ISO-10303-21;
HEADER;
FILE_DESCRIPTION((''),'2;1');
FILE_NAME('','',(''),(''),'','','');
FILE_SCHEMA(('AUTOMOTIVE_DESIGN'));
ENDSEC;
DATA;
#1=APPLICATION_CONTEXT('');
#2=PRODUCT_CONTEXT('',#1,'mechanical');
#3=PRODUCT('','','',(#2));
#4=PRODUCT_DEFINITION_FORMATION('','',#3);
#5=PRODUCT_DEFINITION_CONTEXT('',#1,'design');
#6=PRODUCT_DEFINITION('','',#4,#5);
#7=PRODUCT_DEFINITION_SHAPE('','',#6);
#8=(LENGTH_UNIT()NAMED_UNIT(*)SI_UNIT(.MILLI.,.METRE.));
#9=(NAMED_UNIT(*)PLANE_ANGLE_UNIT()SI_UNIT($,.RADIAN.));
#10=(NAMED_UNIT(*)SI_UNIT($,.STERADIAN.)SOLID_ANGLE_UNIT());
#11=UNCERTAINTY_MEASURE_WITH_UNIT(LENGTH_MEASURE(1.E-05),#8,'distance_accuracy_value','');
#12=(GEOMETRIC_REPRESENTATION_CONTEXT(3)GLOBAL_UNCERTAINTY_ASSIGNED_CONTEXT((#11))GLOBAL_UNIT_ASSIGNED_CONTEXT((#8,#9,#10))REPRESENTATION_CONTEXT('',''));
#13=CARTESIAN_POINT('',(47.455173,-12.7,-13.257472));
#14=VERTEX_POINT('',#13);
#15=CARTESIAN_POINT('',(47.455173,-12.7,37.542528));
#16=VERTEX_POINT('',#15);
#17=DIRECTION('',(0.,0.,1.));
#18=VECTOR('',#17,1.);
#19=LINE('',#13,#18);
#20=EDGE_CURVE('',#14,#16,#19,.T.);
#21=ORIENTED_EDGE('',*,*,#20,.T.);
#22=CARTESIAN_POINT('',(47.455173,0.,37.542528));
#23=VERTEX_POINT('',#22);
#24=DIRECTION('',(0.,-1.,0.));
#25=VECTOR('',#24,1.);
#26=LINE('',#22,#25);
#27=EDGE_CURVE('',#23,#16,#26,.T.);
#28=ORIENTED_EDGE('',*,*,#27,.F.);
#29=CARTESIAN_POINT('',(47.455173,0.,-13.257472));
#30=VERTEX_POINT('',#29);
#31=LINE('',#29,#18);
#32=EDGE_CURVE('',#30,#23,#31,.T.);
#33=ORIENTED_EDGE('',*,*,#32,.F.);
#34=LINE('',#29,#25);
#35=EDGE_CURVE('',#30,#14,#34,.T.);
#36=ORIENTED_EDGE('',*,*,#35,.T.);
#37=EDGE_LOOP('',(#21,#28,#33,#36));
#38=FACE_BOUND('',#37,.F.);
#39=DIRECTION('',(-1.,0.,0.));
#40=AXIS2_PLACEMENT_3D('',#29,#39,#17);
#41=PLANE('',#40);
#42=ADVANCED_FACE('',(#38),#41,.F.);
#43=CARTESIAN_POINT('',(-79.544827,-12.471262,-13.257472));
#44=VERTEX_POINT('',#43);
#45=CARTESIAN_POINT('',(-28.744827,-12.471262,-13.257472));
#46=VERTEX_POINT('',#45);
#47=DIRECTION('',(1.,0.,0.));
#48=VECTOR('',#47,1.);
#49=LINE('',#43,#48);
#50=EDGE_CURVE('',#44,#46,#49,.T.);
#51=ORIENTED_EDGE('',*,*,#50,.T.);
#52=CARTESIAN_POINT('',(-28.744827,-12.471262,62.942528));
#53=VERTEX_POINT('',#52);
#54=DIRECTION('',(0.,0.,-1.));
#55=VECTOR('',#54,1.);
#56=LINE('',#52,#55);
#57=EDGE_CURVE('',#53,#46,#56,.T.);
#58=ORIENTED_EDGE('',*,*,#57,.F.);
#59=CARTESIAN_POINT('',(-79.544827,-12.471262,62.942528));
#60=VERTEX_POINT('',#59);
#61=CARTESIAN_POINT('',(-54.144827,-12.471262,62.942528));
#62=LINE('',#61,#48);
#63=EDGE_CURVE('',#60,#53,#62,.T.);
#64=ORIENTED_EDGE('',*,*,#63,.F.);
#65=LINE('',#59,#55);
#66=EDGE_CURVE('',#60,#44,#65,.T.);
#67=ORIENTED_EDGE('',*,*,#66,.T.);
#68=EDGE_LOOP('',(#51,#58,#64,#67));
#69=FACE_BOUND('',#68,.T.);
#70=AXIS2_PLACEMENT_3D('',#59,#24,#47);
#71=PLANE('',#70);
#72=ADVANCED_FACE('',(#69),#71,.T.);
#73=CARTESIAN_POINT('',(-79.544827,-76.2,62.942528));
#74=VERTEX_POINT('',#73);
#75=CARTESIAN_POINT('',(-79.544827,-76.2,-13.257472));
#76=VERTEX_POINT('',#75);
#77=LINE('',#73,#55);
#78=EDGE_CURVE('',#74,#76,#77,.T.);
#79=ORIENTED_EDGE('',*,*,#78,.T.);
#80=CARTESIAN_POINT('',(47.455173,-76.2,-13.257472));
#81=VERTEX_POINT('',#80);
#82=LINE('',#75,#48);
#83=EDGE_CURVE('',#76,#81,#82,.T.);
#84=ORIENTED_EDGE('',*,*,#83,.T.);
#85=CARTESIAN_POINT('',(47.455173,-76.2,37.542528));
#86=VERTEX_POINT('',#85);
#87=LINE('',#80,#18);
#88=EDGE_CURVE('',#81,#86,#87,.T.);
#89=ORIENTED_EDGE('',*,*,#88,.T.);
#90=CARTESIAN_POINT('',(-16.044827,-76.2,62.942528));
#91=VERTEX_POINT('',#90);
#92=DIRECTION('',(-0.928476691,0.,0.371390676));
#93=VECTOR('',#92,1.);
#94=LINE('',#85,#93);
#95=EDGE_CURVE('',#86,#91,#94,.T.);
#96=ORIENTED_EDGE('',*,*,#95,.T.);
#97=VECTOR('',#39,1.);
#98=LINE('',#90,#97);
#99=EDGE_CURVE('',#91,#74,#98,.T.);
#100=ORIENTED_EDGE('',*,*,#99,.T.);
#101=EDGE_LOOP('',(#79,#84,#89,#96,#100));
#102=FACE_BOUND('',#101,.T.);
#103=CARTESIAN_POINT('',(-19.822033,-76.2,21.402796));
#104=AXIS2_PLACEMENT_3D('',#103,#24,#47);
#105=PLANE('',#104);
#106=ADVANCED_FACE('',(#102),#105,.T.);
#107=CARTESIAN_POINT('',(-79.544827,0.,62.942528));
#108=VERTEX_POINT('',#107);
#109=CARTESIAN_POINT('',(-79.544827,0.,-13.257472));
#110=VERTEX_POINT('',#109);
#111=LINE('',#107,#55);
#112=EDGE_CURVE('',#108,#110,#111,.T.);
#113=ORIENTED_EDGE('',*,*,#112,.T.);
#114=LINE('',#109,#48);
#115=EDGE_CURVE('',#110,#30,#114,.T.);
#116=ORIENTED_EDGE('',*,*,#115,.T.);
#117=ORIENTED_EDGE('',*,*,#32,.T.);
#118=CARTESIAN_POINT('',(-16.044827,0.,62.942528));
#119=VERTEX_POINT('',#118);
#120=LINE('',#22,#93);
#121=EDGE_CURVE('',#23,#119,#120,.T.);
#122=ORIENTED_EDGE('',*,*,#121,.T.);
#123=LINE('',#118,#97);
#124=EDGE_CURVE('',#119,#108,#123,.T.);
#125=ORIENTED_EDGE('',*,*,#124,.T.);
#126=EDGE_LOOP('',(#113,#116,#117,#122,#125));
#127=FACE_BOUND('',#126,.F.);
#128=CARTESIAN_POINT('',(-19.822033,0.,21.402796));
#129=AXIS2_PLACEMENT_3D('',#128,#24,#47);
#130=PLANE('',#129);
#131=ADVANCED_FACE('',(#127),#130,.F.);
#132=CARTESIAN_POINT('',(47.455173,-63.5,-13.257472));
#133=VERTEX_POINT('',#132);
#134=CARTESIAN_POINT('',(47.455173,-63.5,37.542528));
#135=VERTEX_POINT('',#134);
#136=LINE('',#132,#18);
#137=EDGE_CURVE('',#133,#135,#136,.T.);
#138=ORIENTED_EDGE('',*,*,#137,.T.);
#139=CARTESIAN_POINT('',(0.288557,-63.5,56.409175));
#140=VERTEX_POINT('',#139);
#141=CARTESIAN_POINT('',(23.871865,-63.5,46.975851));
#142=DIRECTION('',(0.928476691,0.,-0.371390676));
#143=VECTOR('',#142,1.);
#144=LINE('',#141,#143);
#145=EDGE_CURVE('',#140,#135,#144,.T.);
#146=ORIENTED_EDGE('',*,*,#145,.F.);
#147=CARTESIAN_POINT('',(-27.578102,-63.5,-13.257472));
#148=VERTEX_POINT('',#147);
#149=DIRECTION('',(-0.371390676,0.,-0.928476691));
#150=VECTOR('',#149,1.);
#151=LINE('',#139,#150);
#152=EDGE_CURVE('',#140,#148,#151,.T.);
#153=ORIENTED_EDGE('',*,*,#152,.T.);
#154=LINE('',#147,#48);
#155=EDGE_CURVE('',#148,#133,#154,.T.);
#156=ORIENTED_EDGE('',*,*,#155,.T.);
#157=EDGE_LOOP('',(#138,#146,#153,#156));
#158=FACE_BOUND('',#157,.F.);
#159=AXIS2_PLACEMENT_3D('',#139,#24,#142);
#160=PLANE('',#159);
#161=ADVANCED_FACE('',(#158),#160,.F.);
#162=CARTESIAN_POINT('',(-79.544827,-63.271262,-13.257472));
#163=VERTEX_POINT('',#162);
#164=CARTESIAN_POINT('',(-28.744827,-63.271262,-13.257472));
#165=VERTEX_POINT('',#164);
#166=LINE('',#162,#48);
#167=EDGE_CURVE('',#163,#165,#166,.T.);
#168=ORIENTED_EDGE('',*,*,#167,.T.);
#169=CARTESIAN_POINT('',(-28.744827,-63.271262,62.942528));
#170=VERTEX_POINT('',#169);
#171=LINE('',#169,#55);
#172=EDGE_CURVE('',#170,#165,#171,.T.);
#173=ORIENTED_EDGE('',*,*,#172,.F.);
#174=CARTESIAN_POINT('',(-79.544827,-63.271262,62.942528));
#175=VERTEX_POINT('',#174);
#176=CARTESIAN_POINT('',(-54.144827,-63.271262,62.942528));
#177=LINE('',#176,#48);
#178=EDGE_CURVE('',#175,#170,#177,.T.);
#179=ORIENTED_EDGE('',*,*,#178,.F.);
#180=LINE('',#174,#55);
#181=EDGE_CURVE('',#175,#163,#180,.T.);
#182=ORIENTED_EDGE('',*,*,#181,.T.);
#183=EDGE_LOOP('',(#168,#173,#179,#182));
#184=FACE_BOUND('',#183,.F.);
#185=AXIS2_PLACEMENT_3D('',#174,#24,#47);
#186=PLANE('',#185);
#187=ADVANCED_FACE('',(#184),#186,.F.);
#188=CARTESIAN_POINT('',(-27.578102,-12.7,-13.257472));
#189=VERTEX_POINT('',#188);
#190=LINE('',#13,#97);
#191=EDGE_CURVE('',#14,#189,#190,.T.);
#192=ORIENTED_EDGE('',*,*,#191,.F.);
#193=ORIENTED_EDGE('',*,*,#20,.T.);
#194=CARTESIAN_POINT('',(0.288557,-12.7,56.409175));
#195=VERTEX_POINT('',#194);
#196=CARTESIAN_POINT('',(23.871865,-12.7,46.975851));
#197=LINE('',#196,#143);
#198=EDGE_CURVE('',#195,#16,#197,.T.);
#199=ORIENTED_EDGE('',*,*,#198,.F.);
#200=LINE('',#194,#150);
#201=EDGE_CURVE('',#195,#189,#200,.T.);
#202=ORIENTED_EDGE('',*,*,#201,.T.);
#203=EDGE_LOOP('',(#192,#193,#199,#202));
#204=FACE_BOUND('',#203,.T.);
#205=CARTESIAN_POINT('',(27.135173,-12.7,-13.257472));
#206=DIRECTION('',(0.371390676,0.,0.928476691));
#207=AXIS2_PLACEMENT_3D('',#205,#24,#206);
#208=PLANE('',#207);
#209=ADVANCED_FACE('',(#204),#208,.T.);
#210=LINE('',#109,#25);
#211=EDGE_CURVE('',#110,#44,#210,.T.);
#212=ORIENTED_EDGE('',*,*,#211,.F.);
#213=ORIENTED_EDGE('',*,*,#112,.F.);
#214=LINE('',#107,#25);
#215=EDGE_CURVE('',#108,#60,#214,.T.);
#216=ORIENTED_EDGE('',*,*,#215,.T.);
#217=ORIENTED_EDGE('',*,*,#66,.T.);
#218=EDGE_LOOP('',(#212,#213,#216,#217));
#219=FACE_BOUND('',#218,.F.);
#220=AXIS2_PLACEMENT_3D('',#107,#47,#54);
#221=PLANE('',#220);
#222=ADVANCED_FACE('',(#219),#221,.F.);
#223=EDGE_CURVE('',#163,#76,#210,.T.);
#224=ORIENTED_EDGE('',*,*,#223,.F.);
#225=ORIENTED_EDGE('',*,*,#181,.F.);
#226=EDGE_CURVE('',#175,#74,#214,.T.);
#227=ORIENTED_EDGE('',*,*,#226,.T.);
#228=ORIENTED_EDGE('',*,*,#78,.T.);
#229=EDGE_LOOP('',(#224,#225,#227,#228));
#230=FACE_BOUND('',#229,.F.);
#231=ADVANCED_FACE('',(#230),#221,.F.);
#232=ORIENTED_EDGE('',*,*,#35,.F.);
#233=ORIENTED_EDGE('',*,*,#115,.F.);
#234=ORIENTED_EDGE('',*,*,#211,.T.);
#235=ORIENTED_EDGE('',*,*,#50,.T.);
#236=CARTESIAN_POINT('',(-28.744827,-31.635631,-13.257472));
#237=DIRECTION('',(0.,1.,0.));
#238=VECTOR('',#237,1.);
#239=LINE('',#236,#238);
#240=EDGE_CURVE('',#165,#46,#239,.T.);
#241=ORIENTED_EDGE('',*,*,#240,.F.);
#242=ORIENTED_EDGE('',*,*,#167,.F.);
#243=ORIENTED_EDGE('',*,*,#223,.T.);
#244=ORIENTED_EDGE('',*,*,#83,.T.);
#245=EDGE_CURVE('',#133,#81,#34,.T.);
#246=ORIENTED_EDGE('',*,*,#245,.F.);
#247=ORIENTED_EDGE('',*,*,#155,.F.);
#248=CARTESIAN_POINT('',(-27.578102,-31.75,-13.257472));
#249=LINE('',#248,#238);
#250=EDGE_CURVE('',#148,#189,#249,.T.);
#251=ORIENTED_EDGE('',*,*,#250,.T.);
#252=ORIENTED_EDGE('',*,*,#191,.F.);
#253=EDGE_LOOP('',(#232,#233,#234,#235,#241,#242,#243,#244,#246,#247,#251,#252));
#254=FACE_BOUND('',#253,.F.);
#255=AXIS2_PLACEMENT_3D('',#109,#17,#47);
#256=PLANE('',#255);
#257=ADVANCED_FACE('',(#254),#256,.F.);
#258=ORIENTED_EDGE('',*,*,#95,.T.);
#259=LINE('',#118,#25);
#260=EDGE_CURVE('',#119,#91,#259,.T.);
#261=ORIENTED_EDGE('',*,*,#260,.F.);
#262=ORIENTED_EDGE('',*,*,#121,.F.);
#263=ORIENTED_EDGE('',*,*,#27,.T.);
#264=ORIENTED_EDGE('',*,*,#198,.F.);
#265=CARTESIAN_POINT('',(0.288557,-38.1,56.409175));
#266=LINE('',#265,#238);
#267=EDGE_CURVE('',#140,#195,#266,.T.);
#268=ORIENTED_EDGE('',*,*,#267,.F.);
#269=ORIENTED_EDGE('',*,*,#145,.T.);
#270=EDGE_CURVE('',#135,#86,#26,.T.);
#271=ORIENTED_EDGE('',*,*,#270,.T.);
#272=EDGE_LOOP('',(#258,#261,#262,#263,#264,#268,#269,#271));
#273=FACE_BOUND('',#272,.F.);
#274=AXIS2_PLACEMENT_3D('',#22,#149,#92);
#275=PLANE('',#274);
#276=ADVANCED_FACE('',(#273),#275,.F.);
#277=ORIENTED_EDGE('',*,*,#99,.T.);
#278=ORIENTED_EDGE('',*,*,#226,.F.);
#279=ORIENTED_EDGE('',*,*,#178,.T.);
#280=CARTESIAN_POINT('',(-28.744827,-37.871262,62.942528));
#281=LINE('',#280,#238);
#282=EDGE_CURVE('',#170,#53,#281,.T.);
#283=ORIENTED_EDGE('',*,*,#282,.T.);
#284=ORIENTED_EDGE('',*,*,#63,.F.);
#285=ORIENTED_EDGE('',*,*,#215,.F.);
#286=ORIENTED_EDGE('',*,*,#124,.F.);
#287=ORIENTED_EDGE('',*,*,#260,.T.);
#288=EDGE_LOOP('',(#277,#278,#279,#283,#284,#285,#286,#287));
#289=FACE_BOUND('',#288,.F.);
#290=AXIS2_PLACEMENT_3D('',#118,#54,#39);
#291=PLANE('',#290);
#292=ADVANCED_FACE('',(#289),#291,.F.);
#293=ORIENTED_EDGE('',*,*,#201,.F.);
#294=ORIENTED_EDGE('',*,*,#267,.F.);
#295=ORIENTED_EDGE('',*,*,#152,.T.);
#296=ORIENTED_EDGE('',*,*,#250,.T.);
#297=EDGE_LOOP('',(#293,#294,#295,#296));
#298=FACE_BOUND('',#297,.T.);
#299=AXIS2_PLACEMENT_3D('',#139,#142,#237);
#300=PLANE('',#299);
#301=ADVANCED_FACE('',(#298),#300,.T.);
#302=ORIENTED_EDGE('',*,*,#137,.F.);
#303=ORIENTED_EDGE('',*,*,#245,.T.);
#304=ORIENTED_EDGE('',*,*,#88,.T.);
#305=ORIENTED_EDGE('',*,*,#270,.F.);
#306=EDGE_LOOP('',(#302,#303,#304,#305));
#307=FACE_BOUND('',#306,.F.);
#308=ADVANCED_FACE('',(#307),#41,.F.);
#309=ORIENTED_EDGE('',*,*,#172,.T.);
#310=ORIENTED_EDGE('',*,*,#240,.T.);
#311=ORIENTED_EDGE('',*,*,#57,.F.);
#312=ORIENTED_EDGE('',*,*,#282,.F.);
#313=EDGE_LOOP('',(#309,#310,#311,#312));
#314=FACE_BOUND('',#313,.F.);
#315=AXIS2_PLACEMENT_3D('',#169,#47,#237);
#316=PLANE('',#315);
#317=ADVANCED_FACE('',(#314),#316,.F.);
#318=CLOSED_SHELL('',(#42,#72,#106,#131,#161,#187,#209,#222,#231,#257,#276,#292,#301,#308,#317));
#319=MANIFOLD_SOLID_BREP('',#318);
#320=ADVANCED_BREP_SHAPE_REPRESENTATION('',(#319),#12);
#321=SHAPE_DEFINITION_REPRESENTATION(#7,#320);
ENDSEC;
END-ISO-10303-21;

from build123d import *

# Parameters (mm, degrees)
F1_DEPTH = 76.2
F2_W     = 50.8
F2_H     = 50.8
F3_DEPTH = 94.234
F4_W     = 50.8
F4_H     = 134.9397847399
F5_DEPTH = 41.656
F6_W     = 50.8
F6_H     = 50.8
F7_DEPTH = 88.138


with BuildPart() as f1:
    # F0 (on Front) → F1 (new body)
    with BuildSketch(Plane.XZ):
        Polygon((-79.544827342, 62.9425281554), (-79.544827342, -13.2574718446), (47.455172658, -13.2574718446), (47.455172658, 37.5425281554), (-16.044827342, 62.9425281554), align=None)
    extrude(amount=F1_DEPTH)

    # F2 (on face) → F3 (cut)
    with BuildSketch(Plane(origin=(19.4912404202, 0, 48.7281010505), x_dir=(0.9284766909, 0, -0.3713906764), z_dir=(0.3713906764, 0, 0.9284766909))):
        with Locations((4.7180767512, -38.1)):
            Rectangle(F2_W, F2_H)
    extrude(amount=-F3_DEPTH, mode=Mode.SUBTRACT)

    # F4 (on face) → F5 (cut)
    with BuildSketch(Plane(origin=(27.9639322377, 0, -11.1855728951), x_dir=(0, -1, 0), z_dir=(-0.9284766909, 0, 0.3713906764))):
        with Locations((38.1, 65.2383889087)):
            Rectangle(F4_W, F4_H)
    extrude(amount=-F5_DEPTH, mode=Mode.SUBTRACT)

    # F6 (on face) → F7 (cut)
    with BuildSketch(Plane.XY.offset(62.9425281554)):
        with Locations((-54.144827342, -37.8712617517)):
            Rectangle(F6_W, F6_H)
    extrude(amount=-F7_DEPTH, mode=Mode.SUBTRACT)


solid = f1.part
